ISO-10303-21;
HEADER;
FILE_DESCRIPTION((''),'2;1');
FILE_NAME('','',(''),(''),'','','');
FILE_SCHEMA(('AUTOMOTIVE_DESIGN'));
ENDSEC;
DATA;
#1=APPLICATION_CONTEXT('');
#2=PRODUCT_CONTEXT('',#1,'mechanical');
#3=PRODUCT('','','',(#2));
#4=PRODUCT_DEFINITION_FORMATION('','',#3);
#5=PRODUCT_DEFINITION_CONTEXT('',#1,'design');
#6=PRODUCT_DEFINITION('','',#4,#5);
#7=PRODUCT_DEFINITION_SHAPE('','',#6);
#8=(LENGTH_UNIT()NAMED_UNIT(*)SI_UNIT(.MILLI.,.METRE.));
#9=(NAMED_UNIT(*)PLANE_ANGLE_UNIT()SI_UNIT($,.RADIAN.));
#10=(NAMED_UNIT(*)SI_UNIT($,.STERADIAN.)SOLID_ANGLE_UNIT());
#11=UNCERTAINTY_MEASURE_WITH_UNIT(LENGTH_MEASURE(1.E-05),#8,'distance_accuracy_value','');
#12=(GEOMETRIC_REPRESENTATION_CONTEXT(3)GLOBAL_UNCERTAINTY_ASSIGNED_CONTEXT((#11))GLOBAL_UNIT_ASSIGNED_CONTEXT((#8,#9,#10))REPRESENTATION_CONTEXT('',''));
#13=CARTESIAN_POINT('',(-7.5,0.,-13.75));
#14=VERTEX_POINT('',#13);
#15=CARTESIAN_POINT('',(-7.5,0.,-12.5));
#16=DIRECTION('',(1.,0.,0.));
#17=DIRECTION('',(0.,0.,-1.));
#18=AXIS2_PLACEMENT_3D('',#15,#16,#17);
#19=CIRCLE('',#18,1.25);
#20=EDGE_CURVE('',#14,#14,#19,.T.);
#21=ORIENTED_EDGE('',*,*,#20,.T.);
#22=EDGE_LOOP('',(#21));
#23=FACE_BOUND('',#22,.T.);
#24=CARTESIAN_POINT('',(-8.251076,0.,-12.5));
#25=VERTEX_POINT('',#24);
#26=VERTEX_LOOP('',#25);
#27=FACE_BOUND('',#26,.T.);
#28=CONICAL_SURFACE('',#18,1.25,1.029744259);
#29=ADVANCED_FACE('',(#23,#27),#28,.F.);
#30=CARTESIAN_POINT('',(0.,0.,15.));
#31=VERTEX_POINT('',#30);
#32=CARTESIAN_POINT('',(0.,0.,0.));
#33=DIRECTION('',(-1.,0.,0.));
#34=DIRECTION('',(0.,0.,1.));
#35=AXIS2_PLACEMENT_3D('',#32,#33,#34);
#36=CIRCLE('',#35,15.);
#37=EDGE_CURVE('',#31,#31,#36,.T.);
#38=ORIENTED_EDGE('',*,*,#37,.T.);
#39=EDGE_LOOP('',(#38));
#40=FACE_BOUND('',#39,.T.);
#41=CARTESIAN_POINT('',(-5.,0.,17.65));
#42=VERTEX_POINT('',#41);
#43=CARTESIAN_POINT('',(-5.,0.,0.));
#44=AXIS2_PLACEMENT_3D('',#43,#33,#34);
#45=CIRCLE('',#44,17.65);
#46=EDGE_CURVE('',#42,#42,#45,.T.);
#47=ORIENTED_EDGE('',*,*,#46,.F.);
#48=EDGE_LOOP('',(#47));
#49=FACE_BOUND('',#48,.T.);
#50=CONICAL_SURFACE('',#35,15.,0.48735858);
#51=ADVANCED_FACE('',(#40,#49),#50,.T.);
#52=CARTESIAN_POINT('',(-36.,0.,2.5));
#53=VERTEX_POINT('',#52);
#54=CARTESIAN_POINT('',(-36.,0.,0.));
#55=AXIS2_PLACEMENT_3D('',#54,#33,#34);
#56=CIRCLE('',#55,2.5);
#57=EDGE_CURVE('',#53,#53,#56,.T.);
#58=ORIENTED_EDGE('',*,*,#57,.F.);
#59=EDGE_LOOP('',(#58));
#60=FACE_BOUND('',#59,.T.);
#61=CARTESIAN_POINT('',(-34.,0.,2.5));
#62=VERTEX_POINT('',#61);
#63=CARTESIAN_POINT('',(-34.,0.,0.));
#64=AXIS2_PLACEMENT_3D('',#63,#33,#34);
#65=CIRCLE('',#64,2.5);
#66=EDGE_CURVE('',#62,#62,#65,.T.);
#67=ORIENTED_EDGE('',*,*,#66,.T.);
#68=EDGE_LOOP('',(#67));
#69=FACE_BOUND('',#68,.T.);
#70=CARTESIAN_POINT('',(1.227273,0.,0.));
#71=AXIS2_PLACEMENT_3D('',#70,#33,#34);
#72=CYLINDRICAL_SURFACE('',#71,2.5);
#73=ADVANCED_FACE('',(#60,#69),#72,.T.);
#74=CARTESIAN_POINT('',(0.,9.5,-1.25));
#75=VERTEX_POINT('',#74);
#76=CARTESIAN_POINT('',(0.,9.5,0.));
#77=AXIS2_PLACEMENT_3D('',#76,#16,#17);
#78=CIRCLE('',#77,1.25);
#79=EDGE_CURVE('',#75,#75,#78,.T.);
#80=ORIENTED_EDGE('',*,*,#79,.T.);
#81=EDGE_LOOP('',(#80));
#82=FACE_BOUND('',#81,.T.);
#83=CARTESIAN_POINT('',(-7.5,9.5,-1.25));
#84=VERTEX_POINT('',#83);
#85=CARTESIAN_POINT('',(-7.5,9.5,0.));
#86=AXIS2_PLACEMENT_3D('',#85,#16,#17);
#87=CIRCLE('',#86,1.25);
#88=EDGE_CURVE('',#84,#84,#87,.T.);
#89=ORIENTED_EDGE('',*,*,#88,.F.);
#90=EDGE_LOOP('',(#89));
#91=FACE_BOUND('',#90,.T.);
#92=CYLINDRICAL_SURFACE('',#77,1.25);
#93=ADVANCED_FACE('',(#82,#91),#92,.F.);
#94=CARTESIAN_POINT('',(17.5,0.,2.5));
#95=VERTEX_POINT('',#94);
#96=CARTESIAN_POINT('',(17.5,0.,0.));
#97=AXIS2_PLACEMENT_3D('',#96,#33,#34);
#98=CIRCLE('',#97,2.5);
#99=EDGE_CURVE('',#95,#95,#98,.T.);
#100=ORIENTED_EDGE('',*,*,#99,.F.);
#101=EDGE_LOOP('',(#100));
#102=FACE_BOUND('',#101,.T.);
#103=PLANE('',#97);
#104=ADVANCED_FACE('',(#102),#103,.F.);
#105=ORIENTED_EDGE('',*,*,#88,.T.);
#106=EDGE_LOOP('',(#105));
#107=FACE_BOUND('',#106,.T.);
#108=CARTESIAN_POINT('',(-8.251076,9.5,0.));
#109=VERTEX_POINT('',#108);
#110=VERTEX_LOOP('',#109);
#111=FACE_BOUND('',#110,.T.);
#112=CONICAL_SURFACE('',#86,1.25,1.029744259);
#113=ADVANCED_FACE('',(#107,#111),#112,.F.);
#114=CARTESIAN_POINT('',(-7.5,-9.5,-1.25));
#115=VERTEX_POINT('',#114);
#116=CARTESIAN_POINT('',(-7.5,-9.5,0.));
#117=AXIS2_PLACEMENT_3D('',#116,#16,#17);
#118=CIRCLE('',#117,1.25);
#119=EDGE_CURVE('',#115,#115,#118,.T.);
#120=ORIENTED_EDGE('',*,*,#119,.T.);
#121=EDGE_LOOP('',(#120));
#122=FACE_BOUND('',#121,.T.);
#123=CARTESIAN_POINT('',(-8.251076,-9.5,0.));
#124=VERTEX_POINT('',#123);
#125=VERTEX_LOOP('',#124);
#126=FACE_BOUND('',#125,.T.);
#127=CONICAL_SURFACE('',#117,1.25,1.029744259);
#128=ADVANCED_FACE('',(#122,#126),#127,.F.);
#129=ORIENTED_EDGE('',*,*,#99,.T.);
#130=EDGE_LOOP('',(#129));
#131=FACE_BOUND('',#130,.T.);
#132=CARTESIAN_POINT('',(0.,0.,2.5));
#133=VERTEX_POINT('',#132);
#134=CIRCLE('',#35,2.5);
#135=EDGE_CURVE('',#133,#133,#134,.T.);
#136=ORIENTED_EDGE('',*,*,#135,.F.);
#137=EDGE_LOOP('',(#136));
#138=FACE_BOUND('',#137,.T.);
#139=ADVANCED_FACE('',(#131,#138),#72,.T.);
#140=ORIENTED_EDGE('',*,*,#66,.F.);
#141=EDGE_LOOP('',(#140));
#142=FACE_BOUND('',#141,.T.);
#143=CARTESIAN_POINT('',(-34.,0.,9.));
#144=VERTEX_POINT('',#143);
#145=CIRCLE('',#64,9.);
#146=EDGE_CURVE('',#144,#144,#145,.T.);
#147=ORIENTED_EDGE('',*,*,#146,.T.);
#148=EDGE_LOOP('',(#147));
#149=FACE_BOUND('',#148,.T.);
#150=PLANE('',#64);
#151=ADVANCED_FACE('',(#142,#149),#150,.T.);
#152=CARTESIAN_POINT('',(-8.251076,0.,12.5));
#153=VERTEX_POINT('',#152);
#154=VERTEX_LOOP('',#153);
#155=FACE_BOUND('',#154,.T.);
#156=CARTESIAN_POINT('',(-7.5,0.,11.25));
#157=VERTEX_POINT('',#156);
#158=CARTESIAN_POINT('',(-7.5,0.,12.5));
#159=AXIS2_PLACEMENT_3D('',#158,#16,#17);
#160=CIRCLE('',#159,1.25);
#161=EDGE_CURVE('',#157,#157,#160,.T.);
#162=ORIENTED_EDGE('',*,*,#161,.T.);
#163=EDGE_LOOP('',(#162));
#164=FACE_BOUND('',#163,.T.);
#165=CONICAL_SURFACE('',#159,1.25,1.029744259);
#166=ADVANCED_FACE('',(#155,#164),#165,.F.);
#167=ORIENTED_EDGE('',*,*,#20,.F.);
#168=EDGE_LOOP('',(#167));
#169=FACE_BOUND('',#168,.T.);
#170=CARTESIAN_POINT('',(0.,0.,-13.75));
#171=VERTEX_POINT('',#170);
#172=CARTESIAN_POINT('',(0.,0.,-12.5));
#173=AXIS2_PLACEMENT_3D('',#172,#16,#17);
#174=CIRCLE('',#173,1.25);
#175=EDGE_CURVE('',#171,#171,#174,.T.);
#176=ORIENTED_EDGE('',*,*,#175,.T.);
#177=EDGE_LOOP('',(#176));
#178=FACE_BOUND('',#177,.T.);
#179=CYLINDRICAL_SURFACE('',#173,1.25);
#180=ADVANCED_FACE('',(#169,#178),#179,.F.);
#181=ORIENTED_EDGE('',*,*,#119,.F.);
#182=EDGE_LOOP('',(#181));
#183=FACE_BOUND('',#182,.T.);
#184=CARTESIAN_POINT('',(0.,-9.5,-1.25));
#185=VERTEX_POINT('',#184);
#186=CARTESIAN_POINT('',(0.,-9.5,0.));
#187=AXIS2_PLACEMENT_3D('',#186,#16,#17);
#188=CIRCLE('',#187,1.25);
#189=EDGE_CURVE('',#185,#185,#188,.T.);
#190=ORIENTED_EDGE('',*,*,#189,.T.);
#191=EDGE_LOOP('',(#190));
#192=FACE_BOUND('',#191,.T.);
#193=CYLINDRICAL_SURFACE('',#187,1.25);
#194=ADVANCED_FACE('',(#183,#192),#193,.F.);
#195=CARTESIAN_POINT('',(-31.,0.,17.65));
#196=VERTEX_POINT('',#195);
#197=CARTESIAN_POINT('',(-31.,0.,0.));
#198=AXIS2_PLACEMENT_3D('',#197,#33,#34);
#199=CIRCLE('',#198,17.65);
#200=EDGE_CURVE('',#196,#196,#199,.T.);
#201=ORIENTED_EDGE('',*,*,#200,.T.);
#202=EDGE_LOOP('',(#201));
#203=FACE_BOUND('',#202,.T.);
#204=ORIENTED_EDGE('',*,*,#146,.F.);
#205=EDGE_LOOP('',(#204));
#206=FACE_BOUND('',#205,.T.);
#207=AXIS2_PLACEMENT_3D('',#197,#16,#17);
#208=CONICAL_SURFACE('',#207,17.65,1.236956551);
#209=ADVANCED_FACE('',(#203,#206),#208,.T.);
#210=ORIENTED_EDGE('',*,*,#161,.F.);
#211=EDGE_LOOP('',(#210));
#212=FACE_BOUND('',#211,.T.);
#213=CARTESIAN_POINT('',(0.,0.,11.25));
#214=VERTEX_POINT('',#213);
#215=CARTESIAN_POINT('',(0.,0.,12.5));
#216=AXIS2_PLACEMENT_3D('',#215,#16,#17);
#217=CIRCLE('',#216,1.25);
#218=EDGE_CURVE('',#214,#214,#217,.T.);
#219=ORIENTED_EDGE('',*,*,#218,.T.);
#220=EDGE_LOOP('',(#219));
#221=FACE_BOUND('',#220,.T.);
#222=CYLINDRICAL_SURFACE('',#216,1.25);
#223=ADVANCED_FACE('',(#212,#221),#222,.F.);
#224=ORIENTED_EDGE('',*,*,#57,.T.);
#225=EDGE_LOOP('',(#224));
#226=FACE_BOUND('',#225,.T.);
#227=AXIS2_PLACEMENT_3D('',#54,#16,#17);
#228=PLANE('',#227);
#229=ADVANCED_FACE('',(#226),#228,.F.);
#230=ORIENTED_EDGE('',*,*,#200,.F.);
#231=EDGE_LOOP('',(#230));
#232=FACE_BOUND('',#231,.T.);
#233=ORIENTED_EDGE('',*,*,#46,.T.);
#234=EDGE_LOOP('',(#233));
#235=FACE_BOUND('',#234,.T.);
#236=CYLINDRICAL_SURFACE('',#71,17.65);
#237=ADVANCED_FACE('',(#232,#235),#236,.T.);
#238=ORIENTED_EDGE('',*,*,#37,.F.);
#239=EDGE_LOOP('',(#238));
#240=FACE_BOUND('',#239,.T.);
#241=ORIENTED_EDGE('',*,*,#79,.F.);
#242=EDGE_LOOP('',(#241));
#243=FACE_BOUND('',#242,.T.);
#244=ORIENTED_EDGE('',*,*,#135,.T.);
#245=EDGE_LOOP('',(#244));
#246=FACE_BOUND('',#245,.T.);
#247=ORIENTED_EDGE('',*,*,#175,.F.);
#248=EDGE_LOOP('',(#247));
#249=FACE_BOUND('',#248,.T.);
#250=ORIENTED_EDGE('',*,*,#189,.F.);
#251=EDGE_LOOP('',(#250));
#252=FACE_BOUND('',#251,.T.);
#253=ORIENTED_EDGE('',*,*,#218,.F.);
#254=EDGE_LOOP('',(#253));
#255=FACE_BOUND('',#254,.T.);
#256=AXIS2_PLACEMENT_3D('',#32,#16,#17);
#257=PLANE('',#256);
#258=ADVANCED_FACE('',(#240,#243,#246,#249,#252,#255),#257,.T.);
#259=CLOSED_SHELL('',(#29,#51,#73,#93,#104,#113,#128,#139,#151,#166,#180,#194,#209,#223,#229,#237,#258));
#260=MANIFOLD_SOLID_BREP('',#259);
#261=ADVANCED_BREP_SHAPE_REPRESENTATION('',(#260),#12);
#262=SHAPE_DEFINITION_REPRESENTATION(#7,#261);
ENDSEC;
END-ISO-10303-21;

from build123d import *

# Parameters (mm, degrees)
SKETCH1_3_W               = 17.5
SKETCH1_3_H               = 2.5
SKETCH1_3_W_2             = 2
M3X0_5_TAPPED_HOLE1_D     = 2.5
M3X0_5_TAPPED_HOLE1_DEPTH = 7.5
M3X0_5_TAPPED_HOLE1_TIP   = 0.751075774


with BuildPart() as part:
    # Sketch1 → Revolve1 (revolve)
    with BuildSketch(Plane.XY):
        Polygon((-34, 0), (0, 0), (0, 2.5), (0, 15), (-5, 17.65), (-31, 17.65), (-34, 9), (-34, 2.5), align=None)
    revolve(axis=Axis((1.227272727, 0, 0), (1, 0, 0)))

    # Sketch1<3> → Revolve2 (revolve)
    with BuildSketch(Plane.XY):
        with Locations((8.75, 1.25)):
            Rectangle(SKETCH1_3_W, SKETCH1_3_H)
        with Locations((-35, 1.25)):
            Rectangle(SKETCH1_3_W_2, SKETCH1_3_H)
    revolve(axis=Axis((1.227272727, 0, 0), (1, 0, 0)))

    # M3x0.5 Tapped Hole1
    with Locations(Plane(origin=(0, 0, 0), x_dir=(0, 0, -1), z_dir=(1, 0, 0))):
        with Locations((0, 9.5), (0, -9.5), (-12.5, 0), (12.5, 0)):
            Hole(M3X0_5_TAPPED_HOLE1_D / 2, depth=M3X0_5_TAPPED_HOLE1_DEPTH)
            with Locations((0, 0, -(M3X0_5_TAPPED_HOLE1_DEPTH + M3X0_5_TAPPED_HOLE1_TIP / 2))):  # 118° drill point
                Cone(0, M3X0_5_TAPPED_HOLE1_D / 2, M3X0_5_TAPPED_HOLE1_TIP, mode=Mode.SUBTRACT)


solid = part.part
